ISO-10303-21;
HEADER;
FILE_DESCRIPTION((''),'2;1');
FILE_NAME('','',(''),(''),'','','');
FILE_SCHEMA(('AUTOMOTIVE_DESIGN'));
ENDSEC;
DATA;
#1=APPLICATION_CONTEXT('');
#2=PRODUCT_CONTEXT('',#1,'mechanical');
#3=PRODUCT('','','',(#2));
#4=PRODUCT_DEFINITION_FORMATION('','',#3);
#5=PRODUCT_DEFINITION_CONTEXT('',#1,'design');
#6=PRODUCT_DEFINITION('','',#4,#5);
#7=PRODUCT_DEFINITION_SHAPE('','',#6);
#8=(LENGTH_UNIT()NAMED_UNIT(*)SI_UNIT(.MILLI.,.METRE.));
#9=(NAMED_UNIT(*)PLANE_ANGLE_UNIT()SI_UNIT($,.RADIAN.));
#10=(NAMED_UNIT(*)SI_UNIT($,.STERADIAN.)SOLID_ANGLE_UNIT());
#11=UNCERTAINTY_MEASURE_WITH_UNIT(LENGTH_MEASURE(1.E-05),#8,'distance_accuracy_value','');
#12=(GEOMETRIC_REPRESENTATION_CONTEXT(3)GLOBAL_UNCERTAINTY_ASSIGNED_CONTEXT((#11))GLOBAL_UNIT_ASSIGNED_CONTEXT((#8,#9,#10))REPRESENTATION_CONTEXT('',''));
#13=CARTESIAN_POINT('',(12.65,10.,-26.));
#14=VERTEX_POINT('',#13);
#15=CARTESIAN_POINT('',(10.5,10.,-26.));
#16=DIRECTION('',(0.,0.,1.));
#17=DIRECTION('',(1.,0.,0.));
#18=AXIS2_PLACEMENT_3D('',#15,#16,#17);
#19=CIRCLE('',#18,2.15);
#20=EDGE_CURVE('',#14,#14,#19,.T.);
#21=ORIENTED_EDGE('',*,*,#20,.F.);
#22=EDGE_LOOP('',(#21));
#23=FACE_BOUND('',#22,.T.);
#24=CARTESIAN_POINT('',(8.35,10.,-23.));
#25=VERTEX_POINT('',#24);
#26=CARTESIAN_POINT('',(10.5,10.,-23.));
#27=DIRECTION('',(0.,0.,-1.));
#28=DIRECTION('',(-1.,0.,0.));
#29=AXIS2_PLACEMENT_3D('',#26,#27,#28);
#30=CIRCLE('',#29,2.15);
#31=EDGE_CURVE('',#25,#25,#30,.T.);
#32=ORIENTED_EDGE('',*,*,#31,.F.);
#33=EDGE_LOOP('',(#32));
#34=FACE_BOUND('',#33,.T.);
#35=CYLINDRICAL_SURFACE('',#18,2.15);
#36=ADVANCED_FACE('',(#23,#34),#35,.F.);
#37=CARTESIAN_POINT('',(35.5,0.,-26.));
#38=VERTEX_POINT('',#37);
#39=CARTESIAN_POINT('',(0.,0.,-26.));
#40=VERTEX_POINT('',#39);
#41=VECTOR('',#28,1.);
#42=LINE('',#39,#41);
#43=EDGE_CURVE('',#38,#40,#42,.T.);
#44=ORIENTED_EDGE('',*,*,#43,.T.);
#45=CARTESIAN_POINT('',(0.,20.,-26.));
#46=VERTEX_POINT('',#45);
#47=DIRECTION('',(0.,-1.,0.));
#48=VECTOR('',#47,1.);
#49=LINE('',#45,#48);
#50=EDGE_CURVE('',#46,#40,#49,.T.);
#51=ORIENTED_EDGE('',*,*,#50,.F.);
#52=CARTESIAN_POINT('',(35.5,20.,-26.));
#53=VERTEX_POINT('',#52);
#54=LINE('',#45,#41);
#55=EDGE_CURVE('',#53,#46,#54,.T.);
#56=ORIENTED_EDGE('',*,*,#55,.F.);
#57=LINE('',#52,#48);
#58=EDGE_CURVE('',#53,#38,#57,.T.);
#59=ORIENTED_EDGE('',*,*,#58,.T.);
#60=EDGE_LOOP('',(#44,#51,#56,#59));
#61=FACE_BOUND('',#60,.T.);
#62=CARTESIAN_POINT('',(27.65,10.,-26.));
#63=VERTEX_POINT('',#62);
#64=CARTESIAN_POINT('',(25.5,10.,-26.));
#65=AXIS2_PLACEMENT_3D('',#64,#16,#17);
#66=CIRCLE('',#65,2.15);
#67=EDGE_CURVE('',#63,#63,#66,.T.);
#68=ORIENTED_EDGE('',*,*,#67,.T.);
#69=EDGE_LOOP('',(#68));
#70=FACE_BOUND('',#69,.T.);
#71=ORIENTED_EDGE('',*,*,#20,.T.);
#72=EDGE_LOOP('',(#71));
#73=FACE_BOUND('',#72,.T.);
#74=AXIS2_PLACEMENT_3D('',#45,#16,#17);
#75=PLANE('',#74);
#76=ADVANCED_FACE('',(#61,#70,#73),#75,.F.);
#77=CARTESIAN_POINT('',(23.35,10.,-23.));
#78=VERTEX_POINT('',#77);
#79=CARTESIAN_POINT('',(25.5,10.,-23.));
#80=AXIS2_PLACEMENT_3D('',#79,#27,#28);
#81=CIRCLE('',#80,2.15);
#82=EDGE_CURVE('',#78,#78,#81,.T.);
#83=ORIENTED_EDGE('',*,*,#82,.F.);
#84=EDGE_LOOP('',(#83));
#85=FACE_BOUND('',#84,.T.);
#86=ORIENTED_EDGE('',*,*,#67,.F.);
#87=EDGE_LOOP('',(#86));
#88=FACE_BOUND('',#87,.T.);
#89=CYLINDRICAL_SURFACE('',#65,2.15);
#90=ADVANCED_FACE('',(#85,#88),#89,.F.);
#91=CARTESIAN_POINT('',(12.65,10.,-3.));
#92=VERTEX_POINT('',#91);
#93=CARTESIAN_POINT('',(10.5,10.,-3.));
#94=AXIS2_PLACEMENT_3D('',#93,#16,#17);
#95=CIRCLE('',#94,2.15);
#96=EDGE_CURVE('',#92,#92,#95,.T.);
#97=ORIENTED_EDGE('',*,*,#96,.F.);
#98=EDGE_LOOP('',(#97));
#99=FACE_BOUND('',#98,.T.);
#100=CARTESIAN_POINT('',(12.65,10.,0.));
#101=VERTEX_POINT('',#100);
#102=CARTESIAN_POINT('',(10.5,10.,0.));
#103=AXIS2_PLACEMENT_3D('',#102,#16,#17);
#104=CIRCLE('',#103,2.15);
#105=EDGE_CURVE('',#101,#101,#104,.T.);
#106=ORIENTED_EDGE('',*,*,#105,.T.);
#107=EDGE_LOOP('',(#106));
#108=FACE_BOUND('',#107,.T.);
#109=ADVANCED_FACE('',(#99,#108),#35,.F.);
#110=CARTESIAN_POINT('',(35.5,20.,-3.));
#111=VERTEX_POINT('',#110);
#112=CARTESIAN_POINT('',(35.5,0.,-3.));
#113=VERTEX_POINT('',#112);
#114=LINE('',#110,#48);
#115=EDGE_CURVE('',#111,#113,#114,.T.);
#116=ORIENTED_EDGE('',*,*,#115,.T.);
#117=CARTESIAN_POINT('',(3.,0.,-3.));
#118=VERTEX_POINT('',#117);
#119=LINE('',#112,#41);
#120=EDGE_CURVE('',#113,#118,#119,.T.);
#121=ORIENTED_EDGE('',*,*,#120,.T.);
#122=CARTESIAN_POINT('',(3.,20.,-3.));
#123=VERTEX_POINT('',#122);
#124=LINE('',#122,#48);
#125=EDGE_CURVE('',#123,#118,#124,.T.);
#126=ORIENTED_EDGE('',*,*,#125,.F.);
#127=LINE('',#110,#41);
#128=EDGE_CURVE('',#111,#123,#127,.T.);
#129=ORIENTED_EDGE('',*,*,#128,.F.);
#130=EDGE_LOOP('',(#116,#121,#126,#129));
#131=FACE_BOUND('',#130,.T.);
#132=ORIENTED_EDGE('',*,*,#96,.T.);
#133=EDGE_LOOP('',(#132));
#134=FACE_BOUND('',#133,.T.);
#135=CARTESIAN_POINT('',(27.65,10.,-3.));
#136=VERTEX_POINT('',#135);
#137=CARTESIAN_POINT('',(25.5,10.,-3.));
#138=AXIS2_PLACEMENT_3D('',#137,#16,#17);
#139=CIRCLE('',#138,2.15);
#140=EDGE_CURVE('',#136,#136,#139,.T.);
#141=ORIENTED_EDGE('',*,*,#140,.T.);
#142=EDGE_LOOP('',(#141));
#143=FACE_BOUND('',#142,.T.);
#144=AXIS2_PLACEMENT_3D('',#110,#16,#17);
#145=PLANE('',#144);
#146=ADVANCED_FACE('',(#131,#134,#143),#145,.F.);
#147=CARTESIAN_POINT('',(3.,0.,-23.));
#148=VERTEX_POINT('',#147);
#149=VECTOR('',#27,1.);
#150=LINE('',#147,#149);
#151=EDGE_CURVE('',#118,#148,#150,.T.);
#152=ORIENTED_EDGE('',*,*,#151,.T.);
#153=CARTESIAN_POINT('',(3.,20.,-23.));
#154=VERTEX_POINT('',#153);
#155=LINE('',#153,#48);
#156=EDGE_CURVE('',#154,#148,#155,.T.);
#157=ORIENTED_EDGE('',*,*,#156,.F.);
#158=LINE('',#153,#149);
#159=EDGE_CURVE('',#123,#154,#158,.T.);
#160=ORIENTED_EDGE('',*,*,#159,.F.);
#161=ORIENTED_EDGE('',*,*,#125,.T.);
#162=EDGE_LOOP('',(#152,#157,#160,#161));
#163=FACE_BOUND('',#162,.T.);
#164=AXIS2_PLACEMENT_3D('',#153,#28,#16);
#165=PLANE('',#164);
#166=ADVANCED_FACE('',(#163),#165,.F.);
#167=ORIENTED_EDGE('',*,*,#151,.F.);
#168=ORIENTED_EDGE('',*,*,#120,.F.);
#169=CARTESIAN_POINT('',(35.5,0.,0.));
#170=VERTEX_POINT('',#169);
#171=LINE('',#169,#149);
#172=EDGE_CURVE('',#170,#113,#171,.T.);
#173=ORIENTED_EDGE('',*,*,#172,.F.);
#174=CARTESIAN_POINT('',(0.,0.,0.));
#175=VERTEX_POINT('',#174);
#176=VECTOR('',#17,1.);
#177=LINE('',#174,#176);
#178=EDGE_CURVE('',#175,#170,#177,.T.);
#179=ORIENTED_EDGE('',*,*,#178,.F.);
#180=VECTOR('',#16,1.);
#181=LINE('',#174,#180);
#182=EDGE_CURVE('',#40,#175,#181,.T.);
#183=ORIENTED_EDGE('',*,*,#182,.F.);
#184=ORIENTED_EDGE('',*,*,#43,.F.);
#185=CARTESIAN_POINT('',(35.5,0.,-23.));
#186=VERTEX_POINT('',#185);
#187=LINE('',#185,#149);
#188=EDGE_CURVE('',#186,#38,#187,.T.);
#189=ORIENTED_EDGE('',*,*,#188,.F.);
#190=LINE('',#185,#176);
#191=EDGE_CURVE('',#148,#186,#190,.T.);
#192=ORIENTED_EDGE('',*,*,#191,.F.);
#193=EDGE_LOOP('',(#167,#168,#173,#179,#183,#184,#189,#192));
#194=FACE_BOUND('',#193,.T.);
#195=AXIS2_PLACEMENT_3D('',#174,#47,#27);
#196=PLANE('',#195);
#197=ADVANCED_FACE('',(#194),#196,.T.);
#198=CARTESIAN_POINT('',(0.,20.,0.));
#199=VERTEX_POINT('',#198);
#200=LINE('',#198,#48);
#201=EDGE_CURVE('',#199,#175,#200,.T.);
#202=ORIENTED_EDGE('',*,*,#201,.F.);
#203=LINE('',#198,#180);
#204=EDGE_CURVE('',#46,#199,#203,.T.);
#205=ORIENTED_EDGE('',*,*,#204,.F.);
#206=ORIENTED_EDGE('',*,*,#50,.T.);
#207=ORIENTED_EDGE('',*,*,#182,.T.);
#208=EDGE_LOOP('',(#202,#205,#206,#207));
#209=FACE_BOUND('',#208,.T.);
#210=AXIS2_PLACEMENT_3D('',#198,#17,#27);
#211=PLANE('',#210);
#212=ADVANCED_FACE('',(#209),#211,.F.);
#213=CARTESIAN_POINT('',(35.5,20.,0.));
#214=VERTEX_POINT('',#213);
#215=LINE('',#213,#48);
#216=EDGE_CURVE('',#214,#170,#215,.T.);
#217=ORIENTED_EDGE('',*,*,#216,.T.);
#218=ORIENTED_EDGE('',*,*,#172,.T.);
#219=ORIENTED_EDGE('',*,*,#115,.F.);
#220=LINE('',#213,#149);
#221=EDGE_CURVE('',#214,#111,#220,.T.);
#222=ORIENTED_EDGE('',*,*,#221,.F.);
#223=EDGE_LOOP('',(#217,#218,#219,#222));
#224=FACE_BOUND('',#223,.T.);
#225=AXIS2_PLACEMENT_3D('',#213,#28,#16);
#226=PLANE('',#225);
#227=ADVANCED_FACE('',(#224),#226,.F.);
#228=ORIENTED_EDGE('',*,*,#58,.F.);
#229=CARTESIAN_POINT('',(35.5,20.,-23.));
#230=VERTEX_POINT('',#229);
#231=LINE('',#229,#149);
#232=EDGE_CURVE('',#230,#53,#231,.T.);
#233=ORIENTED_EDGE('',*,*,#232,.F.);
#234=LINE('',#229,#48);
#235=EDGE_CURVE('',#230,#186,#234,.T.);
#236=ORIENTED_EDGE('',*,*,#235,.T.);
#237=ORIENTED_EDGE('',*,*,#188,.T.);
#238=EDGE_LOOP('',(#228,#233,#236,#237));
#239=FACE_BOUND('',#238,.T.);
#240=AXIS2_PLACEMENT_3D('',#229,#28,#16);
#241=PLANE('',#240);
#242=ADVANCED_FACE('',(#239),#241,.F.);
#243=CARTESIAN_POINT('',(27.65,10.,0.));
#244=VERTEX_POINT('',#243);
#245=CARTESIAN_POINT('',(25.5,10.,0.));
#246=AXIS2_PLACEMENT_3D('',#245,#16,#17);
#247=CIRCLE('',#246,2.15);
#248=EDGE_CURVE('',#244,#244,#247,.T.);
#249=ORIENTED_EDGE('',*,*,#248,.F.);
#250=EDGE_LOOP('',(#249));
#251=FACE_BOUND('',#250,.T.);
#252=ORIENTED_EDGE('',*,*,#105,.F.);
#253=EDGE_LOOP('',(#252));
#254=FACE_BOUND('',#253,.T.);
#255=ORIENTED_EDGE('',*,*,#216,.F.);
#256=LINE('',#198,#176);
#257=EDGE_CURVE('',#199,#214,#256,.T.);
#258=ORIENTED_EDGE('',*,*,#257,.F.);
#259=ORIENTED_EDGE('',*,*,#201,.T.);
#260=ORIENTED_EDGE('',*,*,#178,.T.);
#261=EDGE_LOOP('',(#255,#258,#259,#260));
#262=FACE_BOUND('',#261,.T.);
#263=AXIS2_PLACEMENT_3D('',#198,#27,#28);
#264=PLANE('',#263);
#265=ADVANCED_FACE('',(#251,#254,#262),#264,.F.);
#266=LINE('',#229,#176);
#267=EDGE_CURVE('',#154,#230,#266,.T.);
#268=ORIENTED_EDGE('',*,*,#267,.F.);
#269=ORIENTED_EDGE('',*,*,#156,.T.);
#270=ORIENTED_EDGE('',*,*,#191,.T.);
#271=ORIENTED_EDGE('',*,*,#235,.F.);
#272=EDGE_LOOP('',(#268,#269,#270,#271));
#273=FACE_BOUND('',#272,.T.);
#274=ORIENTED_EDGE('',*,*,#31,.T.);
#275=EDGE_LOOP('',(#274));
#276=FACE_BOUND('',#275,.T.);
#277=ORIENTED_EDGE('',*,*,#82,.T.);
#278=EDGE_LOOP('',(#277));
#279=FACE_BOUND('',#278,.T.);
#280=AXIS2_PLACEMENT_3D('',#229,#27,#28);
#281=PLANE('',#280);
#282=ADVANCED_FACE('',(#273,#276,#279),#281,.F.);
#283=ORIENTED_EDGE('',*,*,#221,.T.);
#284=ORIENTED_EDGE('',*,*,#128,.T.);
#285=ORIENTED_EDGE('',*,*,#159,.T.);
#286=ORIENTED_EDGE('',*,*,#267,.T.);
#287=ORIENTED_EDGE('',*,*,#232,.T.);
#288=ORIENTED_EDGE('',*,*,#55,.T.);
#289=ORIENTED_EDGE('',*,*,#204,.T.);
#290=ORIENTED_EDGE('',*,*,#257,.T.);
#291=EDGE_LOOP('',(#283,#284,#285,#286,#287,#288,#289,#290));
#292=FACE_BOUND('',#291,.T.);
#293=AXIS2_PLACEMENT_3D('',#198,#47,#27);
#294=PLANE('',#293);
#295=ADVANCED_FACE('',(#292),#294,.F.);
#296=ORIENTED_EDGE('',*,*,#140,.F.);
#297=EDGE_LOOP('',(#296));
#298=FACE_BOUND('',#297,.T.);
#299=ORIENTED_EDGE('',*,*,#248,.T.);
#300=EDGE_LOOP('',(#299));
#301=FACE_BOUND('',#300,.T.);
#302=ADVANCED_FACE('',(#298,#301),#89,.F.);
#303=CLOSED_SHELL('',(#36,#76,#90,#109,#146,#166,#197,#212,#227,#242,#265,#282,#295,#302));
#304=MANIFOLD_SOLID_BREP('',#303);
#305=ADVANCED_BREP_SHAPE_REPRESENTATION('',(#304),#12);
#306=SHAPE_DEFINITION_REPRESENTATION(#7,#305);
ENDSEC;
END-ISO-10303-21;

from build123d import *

# Parameters (mm, degrees)
BOSS_EXTRUDE1_DEPTH = 20
SKETCH2_R           = 2.15
CUT_EXTRUDE1_DEPTH  = 49.334770094


with BuildPart() as part:
    # Sketch1 → Boss-Extrude1 (new body)
    with BuildSketch(Plane(origin=(0, 0, 0), x_dir=(1, 0, 0), z_dir=(0, 1, 0))):
        Polygon((35.5, 23), (35.5, 26), (0, 26), (0, 0), (35.5, 0), (35.5, 3), (3, 3), (3, 23), align=None)
    extrude(amount=BOSS_EXTRUDE1_DEPTH)

    # Sketch2 → Cut-Extrude1 (cut, through all)
    with BuildSketch(Plane.XY):
        with Locations((10.5, 10)):
            Circle(SKETCH2_R)
        with Locations((25.5, 10)):
            Circle(SKETCH2_R)
    extrude(amount=-CUT_EXTRUDE1_DEPTH, mode=Mode.SUBTRACT)


solid = part.part
